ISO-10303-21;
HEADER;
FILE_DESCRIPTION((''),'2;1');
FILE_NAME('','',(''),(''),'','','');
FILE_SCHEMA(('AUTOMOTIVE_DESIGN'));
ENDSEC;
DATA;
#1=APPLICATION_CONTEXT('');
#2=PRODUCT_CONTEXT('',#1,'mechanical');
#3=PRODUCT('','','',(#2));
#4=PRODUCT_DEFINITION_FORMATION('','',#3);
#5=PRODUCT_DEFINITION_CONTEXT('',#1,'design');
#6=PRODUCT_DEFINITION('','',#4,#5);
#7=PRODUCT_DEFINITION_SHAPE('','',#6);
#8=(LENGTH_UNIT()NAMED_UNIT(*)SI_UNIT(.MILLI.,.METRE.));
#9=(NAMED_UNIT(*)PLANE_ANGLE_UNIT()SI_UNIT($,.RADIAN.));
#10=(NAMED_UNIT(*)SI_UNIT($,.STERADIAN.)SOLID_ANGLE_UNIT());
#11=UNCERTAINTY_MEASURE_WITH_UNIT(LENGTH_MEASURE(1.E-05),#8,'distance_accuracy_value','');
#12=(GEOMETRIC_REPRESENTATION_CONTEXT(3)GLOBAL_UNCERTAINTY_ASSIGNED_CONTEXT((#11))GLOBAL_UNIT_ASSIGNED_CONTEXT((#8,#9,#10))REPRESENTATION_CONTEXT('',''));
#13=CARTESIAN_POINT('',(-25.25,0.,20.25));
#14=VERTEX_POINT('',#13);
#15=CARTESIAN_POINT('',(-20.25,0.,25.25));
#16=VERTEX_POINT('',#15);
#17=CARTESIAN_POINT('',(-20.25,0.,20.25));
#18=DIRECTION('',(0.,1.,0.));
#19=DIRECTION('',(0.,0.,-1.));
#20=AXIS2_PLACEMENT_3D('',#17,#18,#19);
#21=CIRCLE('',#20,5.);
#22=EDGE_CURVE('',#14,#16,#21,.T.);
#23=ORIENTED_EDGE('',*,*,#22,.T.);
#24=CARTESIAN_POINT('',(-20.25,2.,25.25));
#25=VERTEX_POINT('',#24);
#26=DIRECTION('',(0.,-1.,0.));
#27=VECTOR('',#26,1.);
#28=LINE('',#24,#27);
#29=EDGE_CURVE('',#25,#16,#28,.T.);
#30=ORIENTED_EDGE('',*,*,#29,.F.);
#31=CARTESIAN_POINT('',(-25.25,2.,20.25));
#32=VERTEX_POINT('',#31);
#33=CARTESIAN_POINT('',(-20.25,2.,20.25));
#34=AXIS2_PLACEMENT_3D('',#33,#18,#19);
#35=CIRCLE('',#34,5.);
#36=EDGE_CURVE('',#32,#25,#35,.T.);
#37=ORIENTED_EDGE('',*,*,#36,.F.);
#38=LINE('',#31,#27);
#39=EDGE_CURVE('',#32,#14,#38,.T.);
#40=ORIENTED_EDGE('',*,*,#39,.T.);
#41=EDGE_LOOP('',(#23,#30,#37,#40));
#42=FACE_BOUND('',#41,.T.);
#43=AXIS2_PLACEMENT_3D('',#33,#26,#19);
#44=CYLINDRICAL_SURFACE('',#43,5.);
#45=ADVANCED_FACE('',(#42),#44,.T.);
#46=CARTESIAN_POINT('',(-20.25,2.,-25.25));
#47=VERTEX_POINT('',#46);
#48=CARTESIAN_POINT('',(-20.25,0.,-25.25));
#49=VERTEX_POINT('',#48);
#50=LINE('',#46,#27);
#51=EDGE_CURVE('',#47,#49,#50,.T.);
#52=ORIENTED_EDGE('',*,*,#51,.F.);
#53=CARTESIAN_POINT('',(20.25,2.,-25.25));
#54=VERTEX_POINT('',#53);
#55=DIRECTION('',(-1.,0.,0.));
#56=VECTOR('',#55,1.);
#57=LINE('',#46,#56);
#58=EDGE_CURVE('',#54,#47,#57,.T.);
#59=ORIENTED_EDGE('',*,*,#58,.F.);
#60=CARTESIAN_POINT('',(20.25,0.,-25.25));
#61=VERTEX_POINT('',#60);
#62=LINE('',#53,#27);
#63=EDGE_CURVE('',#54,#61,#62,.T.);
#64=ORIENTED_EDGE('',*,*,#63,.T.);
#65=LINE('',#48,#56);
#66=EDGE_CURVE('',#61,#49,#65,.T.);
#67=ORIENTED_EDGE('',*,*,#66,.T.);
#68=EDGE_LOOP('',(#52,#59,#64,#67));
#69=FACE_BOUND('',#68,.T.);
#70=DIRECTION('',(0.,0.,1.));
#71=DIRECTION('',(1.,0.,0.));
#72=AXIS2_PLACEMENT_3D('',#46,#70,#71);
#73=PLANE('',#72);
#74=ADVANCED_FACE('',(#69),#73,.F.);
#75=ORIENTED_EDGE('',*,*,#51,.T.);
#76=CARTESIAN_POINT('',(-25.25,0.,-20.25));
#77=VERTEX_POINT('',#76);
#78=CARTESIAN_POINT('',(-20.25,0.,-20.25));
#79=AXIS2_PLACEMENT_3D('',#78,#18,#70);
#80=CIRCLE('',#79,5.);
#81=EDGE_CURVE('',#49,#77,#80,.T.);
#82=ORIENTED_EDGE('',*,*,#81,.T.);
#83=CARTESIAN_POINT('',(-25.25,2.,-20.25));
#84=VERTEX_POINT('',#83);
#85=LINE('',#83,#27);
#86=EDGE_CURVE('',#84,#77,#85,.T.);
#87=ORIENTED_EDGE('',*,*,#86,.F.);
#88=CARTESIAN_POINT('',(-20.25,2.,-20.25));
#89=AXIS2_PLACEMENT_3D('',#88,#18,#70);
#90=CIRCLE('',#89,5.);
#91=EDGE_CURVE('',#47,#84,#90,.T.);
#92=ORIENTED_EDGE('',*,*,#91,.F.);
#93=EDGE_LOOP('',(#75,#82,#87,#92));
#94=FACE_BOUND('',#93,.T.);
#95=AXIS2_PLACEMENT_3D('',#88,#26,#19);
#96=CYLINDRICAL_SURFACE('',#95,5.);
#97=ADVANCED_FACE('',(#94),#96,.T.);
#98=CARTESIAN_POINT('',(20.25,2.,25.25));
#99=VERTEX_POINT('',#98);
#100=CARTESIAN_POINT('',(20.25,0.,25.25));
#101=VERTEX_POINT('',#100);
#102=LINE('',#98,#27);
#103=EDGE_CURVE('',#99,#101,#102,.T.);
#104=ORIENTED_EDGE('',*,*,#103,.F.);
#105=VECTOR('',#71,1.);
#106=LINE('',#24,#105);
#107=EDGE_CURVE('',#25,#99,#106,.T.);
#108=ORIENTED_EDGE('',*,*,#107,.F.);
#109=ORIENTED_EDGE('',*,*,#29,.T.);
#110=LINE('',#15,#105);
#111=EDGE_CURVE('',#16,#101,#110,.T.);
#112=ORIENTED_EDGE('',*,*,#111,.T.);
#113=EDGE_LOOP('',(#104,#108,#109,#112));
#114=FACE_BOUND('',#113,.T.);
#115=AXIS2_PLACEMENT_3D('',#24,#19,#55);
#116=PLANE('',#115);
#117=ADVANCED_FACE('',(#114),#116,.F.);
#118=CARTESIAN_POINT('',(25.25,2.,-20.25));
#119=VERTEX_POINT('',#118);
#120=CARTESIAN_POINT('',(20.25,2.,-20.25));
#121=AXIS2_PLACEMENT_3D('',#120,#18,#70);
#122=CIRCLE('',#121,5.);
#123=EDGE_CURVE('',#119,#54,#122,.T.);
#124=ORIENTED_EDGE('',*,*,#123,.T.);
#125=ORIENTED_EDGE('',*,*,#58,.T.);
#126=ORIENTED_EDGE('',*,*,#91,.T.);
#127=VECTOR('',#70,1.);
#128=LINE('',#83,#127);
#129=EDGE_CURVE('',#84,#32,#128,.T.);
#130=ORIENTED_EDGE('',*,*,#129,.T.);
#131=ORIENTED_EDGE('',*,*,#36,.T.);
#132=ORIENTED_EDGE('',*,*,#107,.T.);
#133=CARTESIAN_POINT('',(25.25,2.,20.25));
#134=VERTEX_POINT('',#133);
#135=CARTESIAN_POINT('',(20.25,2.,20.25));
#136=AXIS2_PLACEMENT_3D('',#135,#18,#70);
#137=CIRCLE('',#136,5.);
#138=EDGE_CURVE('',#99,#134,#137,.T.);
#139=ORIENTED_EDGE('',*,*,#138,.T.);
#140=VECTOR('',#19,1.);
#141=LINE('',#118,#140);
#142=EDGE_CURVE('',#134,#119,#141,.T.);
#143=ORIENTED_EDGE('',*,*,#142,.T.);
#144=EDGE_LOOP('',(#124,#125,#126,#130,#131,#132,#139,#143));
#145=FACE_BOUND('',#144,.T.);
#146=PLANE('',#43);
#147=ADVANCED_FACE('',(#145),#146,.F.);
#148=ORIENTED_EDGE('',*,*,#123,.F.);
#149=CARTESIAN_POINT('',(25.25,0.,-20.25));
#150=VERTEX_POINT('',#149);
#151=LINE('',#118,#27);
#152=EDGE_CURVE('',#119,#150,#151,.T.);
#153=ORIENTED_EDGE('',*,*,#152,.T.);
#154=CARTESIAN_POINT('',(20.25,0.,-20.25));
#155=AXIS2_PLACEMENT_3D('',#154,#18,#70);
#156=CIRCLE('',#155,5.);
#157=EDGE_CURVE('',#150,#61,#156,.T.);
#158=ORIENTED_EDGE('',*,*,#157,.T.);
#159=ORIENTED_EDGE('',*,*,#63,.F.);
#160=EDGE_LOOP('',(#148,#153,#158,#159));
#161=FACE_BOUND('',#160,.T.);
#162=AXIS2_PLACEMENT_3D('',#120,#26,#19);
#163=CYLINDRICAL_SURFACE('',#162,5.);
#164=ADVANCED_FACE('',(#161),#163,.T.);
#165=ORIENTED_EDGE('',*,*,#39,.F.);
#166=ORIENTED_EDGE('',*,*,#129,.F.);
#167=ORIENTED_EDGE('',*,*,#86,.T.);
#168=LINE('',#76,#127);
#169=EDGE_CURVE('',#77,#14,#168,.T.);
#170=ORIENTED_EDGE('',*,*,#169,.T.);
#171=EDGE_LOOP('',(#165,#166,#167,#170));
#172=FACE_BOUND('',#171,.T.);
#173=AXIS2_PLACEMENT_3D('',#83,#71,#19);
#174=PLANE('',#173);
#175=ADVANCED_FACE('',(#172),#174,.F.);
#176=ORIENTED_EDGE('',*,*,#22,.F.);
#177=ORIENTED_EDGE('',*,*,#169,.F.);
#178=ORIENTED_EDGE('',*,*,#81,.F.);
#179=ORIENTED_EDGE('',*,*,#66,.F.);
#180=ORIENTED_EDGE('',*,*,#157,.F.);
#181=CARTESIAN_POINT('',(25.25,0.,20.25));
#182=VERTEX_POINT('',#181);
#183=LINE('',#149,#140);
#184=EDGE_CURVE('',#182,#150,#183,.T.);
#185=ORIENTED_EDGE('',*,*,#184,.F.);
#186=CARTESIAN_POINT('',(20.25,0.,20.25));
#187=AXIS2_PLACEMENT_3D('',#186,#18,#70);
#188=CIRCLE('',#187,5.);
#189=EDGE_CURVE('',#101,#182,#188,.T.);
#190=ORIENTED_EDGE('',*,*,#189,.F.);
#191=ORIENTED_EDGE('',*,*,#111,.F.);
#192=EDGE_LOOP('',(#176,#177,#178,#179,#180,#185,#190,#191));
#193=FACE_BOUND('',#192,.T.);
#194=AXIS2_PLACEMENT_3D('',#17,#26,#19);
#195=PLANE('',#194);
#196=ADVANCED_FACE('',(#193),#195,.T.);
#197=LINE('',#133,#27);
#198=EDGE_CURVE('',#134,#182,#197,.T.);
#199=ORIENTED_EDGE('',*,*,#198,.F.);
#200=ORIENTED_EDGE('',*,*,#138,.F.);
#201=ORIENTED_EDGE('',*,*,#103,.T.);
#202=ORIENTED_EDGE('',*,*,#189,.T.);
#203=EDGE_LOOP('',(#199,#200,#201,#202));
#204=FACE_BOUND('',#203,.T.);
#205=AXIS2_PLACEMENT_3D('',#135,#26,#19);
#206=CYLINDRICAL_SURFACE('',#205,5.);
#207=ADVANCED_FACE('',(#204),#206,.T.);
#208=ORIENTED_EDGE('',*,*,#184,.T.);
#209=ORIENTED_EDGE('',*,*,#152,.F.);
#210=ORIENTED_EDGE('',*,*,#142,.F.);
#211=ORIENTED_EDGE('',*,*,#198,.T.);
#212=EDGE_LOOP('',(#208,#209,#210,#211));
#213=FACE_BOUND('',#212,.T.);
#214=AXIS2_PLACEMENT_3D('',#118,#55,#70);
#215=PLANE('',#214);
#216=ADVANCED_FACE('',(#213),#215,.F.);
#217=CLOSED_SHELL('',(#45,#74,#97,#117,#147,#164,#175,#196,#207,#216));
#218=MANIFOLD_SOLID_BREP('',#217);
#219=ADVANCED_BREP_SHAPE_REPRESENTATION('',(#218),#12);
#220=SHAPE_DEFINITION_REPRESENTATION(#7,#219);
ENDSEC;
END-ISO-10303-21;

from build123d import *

# Parameters (mm, degrees)
EXTRUDE_1_DEPTH = 2


with BuildPart() as part:
    # 草图1 → 凸台-拉伸1 (new body)
    with BuildSketch(Plane(origin=(0, 0, 0), x_dir=(1, 0, 0), z_dir=(0, 1, 0))):
        with BuildLine():
            Line((-20.25, 25.25), (20.25, 25.25))
            ThreePointArc((20.25, 25.25), (23.785533906, 23.785533906), (25.25, 20.25))
            Line((25.25, 20.25), (25.25, -20.25))
            ThreePointArc((25.25, -20.25), (23.785533906, -23.785533906), (20.25, -25.25))
            Line((20.25, -25.25), (-20.25, -25.25))
            ThreePointArc((-20.25, -25.25), (-23.785533906, -23.785533906), (-25.25, -20.25))
            Line((-25.25, -20.25), (-25.25, 20.25))
            ThreePointArc((-25.25, 20.25), (-23.785533906, 23.785533906), (-20.25, 25.25))
        make_face()
    extrude(amount=EXTRUDE_1_DEPTH)


solid = part.part
